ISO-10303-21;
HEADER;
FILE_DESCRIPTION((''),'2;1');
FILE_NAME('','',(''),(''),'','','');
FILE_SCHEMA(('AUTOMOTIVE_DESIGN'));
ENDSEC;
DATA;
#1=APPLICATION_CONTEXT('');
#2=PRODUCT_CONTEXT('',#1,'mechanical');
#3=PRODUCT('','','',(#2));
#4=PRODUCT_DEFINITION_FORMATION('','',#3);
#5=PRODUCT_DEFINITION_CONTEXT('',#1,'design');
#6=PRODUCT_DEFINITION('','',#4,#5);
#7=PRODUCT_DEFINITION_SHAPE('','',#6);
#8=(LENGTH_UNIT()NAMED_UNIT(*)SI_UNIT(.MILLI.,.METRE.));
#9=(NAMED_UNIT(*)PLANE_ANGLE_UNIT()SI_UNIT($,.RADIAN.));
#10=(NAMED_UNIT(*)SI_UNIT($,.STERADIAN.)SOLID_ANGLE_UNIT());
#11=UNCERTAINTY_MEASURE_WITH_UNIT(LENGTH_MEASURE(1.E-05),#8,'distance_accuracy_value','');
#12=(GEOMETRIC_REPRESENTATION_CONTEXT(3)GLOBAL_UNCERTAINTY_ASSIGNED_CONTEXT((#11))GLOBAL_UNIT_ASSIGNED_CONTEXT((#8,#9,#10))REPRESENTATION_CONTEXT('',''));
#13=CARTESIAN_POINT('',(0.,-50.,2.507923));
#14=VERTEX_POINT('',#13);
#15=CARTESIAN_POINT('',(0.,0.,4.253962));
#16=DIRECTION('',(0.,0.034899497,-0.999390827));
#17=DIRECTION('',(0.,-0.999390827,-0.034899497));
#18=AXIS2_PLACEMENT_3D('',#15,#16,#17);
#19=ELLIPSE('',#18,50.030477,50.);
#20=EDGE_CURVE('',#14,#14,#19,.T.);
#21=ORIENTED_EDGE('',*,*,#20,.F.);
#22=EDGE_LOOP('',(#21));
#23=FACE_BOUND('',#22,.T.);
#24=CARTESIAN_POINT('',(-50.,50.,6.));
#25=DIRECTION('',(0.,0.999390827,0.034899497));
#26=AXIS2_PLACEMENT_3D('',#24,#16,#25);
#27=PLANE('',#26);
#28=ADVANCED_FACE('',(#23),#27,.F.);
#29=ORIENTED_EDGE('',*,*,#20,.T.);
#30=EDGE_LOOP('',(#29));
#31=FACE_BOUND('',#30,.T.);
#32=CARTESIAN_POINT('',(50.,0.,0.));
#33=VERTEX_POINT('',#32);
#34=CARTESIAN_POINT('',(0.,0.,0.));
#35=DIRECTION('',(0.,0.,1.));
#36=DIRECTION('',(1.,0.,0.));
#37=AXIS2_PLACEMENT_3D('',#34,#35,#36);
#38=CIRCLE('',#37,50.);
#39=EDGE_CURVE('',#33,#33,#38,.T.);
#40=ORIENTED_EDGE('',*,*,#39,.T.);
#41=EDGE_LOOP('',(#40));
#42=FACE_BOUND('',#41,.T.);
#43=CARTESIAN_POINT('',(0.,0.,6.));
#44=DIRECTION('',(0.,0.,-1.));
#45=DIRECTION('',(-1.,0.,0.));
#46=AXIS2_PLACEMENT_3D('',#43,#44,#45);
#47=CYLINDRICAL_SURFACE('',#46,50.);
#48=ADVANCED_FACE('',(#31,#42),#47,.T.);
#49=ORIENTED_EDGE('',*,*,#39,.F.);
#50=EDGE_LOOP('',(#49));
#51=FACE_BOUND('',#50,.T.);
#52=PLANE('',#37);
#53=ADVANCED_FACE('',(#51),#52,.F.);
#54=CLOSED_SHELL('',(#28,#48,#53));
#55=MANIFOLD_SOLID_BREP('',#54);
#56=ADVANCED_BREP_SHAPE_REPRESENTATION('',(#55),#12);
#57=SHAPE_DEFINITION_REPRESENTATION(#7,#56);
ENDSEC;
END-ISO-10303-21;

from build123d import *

# Parameters (mm, degrees)
SKETCH_2_R          = 50
EXTRUDE_1_DEPTH     = 6
CUT_EXTRUDE_1_DEPTH = 50


with BuildPart() as part:
    # 草图2 → 凸台-拉伸1 (new body)
    with BuildSketch(Plane.XY):
        Circle(SKETCH_2_R)
    extrude(amount=EXTRUDE_1_DEPTH)

    # 草图3 → 切除-拉伸1 (cut, symmetric)
    with BuildSketch(Plane(origin=(0, 0, 0), x_dir=(0, 0, -1), z_dir=(1, 0, 0))):
        Polygon((-6, -50), (-6, 50), (-2.507923051, -50), align=None)
    extrude(amount=CUT_EXTRUDE_1_DEPTH, both=True, mode=Mode.SUBTRACT)


solid = part.part
